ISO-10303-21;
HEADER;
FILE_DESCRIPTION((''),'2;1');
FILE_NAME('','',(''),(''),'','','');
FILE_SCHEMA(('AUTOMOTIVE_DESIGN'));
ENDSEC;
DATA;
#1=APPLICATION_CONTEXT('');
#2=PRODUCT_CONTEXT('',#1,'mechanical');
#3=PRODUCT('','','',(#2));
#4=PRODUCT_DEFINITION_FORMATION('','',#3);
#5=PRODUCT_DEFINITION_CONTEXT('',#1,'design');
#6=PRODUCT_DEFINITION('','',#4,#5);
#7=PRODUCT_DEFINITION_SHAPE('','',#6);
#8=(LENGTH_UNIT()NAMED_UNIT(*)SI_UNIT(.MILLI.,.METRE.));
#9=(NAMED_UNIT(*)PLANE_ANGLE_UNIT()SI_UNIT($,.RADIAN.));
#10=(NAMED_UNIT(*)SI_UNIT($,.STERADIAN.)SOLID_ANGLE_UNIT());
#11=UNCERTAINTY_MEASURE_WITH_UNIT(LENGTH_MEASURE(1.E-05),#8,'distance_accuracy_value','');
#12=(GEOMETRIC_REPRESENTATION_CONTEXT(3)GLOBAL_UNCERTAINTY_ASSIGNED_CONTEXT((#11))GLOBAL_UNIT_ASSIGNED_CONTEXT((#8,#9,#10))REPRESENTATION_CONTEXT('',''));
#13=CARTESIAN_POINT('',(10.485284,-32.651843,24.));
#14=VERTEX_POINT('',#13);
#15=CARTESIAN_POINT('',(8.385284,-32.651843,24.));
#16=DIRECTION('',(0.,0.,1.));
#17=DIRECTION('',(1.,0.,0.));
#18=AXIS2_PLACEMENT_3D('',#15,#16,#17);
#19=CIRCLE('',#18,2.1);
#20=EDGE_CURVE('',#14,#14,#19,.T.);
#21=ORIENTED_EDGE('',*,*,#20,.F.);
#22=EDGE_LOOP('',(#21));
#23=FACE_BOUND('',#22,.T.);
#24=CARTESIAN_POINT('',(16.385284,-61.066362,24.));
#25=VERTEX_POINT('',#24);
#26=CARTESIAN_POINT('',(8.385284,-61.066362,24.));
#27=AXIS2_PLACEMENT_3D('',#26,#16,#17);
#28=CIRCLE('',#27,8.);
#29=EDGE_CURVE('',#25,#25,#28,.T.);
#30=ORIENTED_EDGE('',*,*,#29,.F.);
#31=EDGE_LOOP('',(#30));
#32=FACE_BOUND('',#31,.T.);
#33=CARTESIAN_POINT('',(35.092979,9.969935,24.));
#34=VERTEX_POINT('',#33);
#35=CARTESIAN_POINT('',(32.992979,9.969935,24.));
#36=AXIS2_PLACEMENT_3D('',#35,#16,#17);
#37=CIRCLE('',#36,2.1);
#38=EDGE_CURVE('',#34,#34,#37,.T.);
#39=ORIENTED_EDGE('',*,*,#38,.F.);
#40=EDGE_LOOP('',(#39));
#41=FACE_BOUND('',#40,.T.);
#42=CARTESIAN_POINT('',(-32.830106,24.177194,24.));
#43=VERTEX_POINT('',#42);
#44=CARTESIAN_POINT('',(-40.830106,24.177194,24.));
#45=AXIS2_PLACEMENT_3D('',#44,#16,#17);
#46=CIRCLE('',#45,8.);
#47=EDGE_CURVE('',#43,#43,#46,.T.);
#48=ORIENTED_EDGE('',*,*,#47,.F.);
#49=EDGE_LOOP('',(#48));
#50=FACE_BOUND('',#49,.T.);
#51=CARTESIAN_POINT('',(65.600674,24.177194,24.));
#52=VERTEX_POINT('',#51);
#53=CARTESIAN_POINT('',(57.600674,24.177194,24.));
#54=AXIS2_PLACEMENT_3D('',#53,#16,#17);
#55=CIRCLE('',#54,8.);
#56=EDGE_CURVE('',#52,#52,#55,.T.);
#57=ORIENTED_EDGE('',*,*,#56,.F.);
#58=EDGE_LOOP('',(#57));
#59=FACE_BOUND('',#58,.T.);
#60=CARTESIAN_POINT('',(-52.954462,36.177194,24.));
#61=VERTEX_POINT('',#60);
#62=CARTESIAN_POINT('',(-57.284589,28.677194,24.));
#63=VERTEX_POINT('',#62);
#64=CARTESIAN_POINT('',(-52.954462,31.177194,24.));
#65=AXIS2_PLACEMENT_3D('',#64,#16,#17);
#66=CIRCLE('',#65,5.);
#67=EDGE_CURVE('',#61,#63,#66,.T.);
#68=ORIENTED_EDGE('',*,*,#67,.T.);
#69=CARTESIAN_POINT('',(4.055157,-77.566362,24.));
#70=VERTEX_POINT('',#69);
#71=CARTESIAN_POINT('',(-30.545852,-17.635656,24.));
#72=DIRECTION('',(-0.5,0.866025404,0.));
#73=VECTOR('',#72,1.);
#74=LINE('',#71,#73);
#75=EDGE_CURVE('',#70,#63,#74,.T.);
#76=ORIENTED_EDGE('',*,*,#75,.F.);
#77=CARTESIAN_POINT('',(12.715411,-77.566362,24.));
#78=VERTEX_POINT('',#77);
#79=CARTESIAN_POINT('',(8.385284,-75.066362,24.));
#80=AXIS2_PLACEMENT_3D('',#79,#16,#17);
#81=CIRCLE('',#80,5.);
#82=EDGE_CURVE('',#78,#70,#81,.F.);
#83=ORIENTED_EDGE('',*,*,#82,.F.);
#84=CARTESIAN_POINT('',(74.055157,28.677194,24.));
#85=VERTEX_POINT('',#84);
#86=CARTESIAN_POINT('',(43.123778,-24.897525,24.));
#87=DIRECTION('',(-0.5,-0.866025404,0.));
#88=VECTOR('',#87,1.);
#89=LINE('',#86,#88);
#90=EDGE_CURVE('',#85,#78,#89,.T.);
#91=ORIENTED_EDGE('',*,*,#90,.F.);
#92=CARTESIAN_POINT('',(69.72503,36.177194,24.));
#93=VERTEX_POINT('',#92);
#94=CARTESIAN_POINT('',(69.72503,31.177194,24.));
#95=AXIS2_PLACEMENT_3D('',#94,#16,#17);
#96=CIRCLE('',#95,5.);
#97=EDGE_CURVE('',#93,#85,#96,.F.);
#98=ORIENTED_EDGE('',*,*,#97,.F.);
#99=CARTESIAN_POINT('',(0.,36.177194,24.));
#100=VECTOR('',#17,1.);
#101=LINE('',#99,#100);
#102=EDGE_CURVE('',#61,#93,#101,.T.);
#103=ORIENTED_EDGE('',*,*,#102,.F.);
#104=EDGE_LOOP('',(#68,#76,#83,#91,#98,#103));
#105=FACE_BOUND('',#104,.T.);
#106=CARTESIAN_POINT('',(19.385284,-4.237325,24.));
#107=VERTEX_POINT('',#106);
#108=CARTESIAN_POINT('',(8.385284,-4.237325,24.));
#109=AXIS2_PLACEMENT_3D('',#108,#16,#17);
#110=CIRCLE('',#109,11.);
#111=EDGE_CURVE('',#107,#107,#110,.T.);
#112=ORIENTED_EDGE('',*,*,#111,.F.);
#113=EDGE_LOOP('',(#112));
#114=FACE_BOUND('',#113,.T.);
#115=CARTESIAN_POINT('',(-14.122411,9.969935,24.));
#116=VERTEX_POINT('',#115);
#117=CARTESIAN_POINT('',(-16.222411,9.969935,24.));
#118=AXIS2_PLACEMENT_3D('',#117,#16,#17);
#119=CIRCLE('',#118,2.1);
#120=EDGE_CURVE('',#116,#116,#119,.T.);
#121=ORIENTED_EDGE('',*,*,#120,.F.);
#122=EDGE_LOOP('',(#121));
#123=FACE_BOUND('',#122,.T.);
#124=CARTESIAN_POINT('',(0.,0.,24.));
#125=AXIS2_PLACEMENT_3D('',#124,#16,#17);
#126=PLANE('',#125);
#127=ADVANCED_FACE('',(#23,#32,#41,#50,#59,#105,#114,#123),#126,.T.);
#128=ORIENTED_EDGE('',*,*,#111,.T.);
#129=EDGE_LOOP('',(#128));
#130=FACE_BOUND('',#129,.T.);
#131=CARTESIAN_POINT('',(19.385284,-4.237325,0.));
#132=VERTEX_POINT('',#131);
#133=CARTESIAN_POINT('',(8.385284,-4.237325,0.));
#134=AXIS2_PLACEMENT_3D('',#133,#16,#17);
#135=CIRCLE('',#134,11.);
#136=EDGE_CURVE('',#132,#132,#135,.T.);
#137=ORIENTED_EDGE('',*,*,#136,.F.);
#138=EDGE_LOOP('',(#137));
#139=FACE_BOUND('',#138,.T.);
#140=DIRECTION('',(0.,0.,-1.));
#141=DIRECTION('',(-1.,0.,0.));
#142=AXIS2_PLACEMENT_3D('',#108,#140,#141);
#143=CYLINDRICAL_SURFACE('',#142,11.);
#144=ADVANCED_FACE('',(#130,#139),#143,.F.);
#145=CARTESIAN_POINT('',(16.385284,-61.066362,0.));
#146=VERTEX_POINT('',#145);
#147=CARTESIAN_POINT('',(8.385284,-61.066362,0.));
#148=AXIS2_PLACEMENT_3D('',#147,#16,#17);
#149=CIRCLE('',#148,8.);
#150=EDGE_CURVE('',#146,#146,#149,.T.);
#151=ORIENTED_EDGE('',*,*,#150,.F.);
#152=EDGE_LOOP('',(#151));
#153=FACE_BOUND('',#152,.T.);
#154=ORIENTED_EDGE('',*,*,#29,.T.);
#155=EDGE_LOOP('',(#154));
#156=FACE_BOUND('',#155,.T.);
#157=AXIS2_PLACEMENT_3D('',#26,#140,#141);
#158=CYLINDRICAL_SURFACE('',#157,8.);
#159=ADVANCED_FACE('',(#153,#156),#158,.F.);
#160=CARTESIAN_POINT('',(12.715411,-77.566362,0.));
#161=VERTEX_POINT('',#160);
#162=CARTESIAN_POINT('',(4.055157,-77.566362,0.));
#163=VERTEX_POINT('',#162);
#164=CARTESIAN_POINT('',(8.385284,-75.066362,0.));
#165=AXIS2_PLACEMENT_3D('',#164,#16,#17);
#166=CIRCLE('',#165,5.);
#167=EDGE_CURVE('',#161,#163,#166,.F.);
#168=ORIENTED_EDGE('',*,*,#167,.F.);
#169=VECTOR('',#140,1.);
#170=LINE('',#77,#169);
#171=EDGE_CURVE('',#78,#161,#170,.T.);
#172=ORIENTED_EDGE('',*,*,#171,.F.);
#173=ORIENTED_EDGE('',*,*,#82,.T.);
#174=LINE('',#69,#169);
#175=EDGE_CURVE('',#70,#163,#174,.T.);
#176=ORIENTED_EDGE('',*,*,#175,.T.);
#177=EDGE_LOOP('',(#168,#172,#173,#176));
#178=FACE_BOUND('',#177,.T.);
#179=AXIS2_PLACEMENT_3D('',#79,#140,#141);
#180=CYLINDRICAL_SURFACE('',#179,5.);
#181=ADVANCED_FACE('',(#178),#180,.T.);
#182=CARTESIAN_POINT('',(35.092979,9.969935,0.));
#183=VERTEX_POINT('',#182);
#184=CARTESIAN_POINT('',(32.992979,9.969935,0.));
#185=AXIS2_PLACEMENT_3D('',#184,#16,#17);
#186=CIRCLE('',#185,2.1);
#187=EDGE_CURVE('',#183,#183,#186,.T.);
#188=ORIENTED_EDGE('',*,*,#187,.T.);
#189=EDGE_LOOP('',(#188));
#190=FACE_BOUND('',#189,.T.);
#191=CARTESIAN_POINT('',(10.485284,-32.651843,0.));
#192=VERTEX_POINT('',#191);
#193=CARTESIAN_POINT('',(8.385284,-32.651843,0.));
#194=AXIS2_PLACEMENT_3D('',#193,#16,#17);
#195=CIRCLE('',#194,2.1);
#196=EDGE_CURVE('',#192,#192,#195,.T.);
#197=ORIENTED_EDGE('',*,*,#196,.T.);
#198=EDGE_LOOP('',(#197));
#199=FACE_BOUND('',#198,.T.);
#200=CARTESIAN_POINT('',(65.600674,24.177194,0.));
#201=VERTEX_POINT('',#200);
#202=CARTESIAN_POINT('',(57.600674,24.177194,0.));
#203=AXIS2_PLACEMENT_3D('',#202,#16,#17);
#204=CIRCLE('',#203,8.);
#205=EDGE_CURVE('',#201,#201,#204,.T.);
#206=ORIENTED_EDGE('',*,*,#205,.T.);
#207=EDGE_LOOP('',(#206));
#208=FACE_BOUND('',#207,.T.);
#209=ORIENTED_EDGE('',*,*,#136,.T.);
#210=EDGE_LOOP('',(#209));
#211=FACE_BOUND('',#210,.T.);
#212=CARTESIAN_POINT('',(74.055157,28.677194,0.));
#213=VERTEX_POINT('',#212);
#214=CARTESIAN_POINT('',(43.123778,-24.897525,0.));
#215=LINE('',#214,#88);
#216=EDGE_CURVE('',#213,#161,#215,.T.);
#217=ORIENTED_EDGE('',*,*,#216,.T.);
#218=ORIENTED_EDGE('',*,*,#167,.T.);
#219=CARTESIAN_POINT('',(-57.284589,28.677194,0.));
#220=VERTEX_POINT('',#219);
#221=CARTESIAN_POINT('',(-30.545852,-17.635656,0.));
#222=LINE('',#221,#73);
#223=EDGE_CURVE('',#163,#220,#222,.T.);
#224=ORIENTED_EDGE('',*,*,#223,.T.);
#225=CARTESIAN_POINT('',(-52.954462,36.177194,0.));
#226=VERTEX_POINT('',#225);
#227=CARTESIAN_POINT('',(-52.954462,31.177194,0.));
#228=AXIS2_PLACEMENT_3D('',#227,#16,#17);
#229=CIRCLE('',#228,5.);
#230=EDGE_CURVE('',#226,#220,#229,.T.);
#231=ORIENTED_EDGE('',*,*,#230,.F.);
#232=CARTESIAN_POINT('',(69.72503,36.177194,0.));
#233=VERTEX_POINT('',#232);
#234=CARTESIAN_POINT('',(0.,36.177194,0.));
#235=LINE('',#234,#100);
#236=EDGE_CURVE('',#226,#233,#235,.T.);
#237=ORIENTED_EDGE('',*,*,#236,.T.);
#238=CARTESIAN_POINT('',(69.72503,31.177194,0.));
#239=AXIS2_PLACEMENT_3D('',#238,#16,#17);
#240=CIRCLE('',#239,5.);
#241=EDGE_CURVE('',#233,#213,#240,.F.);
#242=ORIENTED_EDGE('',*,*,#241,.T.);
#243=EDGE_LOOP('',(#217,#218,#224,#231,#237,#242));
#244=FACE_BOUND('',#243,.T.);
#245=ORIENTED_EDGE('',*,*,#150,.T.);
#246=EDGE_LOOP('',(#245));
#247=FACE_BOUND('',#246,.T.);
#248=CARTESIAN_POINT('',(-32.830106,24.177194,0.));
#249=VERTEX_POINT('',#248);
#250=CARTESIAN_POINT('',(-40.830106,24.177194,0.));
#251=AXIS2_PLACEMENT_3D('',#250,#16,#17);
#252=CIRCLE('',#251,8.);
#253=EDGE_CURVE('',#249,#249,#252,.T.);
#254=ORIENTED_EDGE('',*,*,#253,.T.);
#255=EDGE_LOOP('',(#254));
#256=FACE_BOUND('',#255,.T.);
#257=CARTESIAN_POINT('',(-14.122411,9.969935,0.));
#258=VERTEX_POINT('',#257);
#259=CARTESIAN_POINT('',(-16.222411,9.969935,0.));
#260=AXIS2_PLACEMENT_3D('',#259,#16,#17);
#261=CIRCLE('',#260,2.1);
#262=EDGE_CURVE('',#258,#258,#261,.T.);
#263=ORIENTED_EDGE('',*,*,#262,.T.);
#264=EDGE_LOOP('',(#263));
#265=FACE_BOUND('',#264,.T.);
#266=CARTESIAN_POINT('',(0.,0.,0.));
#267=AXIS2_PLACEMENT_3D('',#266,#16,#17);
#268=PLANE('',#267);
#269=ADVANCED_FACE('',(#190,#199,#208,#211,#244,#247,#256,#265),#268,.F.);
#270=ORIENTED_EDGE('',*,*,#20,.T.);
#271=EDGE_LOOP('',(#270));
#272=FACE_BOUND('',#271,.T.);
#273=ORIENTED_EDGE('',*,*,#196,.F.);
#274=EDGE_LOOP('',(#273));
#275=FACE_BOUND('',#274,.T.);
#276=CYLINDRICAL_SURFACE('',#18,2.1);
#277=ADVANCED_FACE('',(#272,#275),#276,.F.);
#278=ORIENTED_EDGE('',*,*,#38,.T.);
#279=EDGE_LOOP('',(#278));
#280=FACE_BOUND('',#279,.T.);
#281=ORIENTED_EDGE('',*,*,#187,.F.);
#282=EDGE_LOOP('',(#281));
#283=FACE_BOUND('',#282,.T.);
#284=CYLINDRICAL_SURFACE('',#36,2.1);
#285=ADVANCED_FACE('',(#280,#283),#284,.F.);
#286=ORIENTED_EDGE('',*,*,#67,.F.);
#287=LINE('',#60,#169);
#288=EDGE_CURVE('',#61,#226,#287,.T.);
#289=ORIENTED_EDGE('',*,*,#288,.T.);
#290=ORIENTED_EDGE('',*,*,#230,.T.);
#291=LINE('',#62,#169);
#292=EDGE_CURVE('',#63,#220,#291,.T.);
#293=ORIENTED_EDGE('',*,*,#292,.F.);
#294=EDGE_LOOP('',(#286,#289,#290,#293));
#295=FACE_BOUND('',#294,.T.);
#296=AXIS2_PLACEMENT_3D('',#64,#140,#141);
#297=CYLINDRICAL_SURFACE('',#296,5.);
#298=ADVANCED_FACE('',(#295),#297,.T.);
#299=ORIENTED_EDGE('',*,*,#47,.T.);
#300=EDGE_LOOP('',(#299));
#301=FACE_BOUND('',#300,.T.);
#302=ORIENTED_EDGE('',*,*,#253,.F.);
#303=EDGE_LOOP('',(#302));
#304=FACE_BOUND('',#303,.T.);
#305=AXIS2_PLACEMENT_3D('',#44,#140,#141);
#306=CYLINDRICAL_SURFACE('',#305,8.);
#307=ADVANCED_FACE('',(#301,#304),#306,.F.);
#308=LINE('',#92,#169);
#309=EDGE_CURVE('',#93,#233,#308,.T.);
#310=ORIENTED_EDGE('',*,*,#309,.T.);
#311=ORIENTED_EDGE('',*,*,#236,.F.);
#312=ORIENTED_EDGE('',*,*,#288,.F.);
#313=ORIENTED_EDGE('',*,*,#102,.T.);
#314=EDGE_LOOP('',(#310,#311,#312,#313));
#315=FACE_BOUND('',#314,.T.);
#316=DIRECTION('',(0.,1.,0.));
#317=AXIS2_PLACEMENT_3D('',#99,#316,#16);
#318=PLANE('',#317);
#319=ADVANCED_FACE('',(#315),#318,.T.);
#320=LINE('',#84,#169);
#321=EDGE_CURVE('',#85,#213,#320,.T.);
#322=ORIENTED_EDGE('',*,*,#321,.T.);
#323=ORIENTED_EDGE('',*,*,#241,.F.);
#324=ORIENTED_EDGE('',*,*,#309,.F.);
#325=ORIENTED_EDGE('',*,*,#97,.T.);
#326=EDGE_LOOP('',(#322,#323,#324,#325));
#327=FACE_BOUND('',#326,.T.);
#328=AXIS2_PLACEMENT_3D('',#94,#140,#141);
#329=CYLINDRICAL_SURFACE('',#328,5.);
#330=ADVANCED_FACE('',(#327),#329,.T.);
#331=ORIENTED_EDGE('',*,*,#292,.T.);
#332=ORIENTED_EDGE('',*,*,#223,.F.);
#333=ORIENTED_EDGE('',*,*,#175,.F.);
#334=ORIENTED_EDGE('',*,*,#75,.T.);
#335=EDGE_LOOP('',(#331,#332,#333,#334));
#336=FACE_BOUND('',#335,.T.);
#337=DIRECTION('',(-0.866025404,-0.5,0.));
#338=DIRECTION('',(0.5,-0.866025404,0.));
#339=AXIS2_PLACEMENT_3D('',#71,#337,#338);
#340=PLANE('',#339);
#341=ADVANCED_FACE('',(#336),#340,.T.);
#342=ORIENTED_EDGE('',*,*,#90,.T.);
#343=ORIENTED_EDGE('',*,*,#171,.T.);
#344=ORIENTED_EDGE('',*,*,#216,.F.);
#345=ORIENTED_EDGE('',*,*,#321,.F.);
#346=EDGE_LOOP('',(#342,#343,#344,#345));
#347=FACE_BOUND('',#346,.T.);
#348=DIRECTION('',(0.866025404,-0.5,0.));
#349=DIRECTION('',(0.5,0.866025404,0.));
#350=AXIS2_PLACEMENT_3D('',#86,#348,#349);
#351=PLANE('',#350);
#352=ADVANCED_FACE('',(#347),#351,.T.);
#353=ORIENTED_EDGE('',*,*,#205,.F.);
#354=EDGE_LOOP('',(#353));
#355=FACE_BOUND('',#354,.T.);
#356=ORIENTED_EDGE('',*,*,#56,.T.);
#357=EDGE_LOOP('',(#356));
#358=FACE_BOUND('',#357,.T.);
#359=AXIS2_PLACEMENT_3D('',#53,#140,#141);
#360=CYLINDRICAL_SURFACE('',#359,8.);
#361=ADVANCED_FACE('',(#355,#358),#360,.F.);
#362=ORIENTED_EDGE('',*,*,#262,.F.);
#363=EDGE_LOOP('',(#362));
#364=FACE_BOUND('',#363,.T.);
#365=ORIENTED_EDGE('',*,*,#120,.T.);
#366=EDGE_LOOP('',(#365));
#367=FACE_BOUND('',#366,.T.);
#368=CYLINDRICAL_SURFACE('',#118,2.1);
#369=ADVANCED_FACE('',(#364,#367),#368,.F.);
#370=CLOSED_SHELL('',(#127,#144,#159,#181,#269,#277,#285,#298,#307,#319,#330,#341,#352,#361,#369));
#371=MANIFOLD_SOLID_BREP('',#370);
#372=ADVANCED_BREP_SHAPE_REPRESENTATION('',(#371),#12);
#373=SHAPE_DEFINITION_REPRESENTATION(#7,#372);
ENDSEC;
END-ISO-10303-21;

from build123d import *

# Parameters (mm, degrees)
IZIM2_R                              = 8
IZIM2_R_2                            = 11
Y_KSEKLIK_EKSTR_ZYON1_DEPTH          = 24
M4_HELISARMAL_I_IN_Z_VANA_MATKAB_1_D = 4.2


with BuildPart() as part:
    # Çizim2 → Yükseklik-Ekstrüzyon1 (new body)
    with BuildSketch(Plane.XY):
        with BuildLine():
            Line((-52.954462088, 36.177194256), (69.725029836, 36.177194256))
            ThreePointArc((69.725029836, 36.177194256), (74.055156855, 33.677194256), (74.055156855, 28.677194256))
            Line((74.055156855, 28.677194256), (12.715410893, -77.566362274))
            ThreePointArc((12.715410893, -77.566362274), (8.385283874, -80.066362274), (4.055156855, -77.566362274))
            Line((4.055156855, -77.566362274), (-57.284589107, 28.677194256))
            ThreePointArc((-57.284589107, 28.677194256), (-57.284589107, 33.677194256), (-52.954462088, 36.177194256))
        make_face()
        with Locations((57.600674183, 24.177194256)):
            Circle(IZIM2_R, mode=Mode.SUBTRACT)
        with Locations((8.385283874, -61.066362274)):
            Circle(IZIM2_R, mode=Mode.SUBTRACT)
        with Locations((-40.830106435, 24.177194256)):
            Circle(IZIM2_R, mode=Mode.SUBTRACT)
        with Locations((8.385283874, -4.237324587)):
            Circle(IZIM2_R_2, mode=Mode.SUBTRACT)
    extrude(amount=Y_KSEKLIK_EKSTR_ZYON1_DEPTH)

    # M4 Helisarmal için Zıvana matkabı1 (through all)
    with Locations(Plane(origin=(-16.222411281, 9.969934834, 24), x_dir=(1, 0, 0), z_dir=(0, 0, 1))):
        with Locations((0, 0), (49.215390309, 0), (24.607695155, -42.621778265)):
            Hole(M4_HELISARMAL_I_IN_Z_VANA_MATKAB_1_D / 2)


solid = part.part
